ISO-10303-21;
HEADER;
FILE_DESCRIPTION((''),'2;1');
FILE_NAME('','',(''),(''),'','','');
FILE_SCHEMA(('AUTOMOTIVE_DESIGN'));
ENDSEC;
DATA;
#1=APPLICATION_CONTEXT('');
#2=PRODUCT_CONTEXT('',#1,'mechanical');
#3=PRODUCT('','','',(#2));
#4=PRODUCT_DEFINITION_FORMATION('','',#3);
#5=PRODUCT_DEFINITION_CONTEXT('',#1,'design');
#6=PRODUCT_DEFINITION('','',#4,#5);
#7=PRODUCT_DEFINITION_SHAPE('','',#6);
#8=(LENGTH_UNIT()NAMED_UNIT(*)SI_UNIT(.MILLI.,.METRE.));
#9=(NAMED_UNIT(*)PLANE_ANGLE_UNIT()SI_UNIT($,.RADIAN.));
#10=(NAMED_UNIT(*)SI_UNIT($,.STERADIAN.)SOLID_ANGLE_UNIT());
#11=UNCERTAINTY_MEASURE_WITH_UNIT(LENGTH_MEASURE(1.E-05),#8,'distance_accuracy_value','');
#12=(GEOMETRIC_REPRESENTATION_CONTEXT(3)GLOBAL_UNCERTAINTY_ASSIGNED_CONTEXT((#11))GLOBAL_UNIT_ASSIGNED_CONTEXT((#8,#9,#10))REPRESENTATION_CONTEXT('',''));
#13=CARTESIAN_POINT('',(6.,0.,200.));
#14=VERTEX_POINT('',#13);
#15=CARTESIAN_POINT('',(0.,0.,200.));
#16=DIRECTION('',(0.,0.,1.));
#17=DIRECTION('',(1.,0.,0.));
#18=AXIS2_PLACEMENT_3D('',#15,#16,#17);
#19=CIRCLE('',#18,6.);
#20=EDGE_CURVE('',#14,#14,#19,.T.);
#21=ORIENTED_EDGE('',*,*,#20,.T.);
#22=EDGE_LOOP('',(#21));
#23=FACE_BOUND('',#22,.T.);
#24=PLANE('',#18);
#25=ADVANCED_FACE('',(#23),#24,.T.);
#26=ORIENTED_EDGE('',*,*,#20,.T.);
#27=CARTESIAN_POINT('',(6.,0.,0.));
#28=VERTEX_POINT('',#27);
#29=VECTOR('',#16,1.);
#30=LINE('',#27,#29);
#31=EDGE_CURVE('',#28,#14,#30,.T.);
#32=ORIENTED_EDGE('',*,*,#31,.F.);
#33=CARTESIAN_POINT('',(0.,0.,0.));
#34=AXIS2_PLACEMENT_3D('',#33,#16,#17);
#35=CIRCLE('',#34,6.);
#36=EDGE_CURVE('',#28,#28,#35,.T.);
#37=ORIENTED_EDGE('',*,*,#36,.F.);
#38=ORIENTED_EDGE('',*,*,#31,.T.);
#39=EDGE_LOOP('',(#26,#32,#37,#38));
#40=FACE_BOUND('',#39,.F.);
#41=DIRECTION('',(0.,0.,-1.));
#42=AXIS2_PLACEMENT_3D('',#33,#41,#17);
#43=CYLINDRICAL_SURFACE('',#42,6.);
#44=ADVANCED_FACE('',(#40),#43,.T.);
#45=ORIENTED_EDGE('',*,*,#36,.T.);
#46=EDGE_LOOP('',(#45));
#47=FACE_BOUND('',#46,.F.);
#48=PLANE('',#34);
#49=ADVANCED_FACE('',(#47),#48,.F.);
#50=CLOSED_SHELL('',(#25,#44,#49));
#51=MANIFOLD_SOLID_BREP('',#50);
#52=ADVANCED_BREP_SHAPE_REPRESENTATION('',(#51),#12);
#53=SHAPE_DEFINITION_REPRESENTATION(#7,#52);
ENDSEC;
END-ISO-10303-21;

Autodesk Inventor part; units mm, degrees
ref_plane "YZ Plane" through (0, 0, 0) normal (1, 0, 0) x (0, 1, 0)
ref_plane "XZ Plane" through (0, 0, 0) normal (0, 1, 0) x (-1, 0, 0)
ref_plane "XY Plane" through (0, 0, 0) normal (0, 0, 1) x (1, 0, 0)
sketch "Sketch1" plane through (0, 0, 0) normal (0, 0, 1) x (1, 0, 0)
  circle A0 centre (0, 0) radius 6
  dimension "d0" = 12
extrude "Extrusion1" add sketch "Sketch1" along normal blind 200
thread "Thread2" size "M12x1.75" class "6g" standard "ANSI Metric M Profile" full length
properties part number "Pen_Mover" material "Steel"
